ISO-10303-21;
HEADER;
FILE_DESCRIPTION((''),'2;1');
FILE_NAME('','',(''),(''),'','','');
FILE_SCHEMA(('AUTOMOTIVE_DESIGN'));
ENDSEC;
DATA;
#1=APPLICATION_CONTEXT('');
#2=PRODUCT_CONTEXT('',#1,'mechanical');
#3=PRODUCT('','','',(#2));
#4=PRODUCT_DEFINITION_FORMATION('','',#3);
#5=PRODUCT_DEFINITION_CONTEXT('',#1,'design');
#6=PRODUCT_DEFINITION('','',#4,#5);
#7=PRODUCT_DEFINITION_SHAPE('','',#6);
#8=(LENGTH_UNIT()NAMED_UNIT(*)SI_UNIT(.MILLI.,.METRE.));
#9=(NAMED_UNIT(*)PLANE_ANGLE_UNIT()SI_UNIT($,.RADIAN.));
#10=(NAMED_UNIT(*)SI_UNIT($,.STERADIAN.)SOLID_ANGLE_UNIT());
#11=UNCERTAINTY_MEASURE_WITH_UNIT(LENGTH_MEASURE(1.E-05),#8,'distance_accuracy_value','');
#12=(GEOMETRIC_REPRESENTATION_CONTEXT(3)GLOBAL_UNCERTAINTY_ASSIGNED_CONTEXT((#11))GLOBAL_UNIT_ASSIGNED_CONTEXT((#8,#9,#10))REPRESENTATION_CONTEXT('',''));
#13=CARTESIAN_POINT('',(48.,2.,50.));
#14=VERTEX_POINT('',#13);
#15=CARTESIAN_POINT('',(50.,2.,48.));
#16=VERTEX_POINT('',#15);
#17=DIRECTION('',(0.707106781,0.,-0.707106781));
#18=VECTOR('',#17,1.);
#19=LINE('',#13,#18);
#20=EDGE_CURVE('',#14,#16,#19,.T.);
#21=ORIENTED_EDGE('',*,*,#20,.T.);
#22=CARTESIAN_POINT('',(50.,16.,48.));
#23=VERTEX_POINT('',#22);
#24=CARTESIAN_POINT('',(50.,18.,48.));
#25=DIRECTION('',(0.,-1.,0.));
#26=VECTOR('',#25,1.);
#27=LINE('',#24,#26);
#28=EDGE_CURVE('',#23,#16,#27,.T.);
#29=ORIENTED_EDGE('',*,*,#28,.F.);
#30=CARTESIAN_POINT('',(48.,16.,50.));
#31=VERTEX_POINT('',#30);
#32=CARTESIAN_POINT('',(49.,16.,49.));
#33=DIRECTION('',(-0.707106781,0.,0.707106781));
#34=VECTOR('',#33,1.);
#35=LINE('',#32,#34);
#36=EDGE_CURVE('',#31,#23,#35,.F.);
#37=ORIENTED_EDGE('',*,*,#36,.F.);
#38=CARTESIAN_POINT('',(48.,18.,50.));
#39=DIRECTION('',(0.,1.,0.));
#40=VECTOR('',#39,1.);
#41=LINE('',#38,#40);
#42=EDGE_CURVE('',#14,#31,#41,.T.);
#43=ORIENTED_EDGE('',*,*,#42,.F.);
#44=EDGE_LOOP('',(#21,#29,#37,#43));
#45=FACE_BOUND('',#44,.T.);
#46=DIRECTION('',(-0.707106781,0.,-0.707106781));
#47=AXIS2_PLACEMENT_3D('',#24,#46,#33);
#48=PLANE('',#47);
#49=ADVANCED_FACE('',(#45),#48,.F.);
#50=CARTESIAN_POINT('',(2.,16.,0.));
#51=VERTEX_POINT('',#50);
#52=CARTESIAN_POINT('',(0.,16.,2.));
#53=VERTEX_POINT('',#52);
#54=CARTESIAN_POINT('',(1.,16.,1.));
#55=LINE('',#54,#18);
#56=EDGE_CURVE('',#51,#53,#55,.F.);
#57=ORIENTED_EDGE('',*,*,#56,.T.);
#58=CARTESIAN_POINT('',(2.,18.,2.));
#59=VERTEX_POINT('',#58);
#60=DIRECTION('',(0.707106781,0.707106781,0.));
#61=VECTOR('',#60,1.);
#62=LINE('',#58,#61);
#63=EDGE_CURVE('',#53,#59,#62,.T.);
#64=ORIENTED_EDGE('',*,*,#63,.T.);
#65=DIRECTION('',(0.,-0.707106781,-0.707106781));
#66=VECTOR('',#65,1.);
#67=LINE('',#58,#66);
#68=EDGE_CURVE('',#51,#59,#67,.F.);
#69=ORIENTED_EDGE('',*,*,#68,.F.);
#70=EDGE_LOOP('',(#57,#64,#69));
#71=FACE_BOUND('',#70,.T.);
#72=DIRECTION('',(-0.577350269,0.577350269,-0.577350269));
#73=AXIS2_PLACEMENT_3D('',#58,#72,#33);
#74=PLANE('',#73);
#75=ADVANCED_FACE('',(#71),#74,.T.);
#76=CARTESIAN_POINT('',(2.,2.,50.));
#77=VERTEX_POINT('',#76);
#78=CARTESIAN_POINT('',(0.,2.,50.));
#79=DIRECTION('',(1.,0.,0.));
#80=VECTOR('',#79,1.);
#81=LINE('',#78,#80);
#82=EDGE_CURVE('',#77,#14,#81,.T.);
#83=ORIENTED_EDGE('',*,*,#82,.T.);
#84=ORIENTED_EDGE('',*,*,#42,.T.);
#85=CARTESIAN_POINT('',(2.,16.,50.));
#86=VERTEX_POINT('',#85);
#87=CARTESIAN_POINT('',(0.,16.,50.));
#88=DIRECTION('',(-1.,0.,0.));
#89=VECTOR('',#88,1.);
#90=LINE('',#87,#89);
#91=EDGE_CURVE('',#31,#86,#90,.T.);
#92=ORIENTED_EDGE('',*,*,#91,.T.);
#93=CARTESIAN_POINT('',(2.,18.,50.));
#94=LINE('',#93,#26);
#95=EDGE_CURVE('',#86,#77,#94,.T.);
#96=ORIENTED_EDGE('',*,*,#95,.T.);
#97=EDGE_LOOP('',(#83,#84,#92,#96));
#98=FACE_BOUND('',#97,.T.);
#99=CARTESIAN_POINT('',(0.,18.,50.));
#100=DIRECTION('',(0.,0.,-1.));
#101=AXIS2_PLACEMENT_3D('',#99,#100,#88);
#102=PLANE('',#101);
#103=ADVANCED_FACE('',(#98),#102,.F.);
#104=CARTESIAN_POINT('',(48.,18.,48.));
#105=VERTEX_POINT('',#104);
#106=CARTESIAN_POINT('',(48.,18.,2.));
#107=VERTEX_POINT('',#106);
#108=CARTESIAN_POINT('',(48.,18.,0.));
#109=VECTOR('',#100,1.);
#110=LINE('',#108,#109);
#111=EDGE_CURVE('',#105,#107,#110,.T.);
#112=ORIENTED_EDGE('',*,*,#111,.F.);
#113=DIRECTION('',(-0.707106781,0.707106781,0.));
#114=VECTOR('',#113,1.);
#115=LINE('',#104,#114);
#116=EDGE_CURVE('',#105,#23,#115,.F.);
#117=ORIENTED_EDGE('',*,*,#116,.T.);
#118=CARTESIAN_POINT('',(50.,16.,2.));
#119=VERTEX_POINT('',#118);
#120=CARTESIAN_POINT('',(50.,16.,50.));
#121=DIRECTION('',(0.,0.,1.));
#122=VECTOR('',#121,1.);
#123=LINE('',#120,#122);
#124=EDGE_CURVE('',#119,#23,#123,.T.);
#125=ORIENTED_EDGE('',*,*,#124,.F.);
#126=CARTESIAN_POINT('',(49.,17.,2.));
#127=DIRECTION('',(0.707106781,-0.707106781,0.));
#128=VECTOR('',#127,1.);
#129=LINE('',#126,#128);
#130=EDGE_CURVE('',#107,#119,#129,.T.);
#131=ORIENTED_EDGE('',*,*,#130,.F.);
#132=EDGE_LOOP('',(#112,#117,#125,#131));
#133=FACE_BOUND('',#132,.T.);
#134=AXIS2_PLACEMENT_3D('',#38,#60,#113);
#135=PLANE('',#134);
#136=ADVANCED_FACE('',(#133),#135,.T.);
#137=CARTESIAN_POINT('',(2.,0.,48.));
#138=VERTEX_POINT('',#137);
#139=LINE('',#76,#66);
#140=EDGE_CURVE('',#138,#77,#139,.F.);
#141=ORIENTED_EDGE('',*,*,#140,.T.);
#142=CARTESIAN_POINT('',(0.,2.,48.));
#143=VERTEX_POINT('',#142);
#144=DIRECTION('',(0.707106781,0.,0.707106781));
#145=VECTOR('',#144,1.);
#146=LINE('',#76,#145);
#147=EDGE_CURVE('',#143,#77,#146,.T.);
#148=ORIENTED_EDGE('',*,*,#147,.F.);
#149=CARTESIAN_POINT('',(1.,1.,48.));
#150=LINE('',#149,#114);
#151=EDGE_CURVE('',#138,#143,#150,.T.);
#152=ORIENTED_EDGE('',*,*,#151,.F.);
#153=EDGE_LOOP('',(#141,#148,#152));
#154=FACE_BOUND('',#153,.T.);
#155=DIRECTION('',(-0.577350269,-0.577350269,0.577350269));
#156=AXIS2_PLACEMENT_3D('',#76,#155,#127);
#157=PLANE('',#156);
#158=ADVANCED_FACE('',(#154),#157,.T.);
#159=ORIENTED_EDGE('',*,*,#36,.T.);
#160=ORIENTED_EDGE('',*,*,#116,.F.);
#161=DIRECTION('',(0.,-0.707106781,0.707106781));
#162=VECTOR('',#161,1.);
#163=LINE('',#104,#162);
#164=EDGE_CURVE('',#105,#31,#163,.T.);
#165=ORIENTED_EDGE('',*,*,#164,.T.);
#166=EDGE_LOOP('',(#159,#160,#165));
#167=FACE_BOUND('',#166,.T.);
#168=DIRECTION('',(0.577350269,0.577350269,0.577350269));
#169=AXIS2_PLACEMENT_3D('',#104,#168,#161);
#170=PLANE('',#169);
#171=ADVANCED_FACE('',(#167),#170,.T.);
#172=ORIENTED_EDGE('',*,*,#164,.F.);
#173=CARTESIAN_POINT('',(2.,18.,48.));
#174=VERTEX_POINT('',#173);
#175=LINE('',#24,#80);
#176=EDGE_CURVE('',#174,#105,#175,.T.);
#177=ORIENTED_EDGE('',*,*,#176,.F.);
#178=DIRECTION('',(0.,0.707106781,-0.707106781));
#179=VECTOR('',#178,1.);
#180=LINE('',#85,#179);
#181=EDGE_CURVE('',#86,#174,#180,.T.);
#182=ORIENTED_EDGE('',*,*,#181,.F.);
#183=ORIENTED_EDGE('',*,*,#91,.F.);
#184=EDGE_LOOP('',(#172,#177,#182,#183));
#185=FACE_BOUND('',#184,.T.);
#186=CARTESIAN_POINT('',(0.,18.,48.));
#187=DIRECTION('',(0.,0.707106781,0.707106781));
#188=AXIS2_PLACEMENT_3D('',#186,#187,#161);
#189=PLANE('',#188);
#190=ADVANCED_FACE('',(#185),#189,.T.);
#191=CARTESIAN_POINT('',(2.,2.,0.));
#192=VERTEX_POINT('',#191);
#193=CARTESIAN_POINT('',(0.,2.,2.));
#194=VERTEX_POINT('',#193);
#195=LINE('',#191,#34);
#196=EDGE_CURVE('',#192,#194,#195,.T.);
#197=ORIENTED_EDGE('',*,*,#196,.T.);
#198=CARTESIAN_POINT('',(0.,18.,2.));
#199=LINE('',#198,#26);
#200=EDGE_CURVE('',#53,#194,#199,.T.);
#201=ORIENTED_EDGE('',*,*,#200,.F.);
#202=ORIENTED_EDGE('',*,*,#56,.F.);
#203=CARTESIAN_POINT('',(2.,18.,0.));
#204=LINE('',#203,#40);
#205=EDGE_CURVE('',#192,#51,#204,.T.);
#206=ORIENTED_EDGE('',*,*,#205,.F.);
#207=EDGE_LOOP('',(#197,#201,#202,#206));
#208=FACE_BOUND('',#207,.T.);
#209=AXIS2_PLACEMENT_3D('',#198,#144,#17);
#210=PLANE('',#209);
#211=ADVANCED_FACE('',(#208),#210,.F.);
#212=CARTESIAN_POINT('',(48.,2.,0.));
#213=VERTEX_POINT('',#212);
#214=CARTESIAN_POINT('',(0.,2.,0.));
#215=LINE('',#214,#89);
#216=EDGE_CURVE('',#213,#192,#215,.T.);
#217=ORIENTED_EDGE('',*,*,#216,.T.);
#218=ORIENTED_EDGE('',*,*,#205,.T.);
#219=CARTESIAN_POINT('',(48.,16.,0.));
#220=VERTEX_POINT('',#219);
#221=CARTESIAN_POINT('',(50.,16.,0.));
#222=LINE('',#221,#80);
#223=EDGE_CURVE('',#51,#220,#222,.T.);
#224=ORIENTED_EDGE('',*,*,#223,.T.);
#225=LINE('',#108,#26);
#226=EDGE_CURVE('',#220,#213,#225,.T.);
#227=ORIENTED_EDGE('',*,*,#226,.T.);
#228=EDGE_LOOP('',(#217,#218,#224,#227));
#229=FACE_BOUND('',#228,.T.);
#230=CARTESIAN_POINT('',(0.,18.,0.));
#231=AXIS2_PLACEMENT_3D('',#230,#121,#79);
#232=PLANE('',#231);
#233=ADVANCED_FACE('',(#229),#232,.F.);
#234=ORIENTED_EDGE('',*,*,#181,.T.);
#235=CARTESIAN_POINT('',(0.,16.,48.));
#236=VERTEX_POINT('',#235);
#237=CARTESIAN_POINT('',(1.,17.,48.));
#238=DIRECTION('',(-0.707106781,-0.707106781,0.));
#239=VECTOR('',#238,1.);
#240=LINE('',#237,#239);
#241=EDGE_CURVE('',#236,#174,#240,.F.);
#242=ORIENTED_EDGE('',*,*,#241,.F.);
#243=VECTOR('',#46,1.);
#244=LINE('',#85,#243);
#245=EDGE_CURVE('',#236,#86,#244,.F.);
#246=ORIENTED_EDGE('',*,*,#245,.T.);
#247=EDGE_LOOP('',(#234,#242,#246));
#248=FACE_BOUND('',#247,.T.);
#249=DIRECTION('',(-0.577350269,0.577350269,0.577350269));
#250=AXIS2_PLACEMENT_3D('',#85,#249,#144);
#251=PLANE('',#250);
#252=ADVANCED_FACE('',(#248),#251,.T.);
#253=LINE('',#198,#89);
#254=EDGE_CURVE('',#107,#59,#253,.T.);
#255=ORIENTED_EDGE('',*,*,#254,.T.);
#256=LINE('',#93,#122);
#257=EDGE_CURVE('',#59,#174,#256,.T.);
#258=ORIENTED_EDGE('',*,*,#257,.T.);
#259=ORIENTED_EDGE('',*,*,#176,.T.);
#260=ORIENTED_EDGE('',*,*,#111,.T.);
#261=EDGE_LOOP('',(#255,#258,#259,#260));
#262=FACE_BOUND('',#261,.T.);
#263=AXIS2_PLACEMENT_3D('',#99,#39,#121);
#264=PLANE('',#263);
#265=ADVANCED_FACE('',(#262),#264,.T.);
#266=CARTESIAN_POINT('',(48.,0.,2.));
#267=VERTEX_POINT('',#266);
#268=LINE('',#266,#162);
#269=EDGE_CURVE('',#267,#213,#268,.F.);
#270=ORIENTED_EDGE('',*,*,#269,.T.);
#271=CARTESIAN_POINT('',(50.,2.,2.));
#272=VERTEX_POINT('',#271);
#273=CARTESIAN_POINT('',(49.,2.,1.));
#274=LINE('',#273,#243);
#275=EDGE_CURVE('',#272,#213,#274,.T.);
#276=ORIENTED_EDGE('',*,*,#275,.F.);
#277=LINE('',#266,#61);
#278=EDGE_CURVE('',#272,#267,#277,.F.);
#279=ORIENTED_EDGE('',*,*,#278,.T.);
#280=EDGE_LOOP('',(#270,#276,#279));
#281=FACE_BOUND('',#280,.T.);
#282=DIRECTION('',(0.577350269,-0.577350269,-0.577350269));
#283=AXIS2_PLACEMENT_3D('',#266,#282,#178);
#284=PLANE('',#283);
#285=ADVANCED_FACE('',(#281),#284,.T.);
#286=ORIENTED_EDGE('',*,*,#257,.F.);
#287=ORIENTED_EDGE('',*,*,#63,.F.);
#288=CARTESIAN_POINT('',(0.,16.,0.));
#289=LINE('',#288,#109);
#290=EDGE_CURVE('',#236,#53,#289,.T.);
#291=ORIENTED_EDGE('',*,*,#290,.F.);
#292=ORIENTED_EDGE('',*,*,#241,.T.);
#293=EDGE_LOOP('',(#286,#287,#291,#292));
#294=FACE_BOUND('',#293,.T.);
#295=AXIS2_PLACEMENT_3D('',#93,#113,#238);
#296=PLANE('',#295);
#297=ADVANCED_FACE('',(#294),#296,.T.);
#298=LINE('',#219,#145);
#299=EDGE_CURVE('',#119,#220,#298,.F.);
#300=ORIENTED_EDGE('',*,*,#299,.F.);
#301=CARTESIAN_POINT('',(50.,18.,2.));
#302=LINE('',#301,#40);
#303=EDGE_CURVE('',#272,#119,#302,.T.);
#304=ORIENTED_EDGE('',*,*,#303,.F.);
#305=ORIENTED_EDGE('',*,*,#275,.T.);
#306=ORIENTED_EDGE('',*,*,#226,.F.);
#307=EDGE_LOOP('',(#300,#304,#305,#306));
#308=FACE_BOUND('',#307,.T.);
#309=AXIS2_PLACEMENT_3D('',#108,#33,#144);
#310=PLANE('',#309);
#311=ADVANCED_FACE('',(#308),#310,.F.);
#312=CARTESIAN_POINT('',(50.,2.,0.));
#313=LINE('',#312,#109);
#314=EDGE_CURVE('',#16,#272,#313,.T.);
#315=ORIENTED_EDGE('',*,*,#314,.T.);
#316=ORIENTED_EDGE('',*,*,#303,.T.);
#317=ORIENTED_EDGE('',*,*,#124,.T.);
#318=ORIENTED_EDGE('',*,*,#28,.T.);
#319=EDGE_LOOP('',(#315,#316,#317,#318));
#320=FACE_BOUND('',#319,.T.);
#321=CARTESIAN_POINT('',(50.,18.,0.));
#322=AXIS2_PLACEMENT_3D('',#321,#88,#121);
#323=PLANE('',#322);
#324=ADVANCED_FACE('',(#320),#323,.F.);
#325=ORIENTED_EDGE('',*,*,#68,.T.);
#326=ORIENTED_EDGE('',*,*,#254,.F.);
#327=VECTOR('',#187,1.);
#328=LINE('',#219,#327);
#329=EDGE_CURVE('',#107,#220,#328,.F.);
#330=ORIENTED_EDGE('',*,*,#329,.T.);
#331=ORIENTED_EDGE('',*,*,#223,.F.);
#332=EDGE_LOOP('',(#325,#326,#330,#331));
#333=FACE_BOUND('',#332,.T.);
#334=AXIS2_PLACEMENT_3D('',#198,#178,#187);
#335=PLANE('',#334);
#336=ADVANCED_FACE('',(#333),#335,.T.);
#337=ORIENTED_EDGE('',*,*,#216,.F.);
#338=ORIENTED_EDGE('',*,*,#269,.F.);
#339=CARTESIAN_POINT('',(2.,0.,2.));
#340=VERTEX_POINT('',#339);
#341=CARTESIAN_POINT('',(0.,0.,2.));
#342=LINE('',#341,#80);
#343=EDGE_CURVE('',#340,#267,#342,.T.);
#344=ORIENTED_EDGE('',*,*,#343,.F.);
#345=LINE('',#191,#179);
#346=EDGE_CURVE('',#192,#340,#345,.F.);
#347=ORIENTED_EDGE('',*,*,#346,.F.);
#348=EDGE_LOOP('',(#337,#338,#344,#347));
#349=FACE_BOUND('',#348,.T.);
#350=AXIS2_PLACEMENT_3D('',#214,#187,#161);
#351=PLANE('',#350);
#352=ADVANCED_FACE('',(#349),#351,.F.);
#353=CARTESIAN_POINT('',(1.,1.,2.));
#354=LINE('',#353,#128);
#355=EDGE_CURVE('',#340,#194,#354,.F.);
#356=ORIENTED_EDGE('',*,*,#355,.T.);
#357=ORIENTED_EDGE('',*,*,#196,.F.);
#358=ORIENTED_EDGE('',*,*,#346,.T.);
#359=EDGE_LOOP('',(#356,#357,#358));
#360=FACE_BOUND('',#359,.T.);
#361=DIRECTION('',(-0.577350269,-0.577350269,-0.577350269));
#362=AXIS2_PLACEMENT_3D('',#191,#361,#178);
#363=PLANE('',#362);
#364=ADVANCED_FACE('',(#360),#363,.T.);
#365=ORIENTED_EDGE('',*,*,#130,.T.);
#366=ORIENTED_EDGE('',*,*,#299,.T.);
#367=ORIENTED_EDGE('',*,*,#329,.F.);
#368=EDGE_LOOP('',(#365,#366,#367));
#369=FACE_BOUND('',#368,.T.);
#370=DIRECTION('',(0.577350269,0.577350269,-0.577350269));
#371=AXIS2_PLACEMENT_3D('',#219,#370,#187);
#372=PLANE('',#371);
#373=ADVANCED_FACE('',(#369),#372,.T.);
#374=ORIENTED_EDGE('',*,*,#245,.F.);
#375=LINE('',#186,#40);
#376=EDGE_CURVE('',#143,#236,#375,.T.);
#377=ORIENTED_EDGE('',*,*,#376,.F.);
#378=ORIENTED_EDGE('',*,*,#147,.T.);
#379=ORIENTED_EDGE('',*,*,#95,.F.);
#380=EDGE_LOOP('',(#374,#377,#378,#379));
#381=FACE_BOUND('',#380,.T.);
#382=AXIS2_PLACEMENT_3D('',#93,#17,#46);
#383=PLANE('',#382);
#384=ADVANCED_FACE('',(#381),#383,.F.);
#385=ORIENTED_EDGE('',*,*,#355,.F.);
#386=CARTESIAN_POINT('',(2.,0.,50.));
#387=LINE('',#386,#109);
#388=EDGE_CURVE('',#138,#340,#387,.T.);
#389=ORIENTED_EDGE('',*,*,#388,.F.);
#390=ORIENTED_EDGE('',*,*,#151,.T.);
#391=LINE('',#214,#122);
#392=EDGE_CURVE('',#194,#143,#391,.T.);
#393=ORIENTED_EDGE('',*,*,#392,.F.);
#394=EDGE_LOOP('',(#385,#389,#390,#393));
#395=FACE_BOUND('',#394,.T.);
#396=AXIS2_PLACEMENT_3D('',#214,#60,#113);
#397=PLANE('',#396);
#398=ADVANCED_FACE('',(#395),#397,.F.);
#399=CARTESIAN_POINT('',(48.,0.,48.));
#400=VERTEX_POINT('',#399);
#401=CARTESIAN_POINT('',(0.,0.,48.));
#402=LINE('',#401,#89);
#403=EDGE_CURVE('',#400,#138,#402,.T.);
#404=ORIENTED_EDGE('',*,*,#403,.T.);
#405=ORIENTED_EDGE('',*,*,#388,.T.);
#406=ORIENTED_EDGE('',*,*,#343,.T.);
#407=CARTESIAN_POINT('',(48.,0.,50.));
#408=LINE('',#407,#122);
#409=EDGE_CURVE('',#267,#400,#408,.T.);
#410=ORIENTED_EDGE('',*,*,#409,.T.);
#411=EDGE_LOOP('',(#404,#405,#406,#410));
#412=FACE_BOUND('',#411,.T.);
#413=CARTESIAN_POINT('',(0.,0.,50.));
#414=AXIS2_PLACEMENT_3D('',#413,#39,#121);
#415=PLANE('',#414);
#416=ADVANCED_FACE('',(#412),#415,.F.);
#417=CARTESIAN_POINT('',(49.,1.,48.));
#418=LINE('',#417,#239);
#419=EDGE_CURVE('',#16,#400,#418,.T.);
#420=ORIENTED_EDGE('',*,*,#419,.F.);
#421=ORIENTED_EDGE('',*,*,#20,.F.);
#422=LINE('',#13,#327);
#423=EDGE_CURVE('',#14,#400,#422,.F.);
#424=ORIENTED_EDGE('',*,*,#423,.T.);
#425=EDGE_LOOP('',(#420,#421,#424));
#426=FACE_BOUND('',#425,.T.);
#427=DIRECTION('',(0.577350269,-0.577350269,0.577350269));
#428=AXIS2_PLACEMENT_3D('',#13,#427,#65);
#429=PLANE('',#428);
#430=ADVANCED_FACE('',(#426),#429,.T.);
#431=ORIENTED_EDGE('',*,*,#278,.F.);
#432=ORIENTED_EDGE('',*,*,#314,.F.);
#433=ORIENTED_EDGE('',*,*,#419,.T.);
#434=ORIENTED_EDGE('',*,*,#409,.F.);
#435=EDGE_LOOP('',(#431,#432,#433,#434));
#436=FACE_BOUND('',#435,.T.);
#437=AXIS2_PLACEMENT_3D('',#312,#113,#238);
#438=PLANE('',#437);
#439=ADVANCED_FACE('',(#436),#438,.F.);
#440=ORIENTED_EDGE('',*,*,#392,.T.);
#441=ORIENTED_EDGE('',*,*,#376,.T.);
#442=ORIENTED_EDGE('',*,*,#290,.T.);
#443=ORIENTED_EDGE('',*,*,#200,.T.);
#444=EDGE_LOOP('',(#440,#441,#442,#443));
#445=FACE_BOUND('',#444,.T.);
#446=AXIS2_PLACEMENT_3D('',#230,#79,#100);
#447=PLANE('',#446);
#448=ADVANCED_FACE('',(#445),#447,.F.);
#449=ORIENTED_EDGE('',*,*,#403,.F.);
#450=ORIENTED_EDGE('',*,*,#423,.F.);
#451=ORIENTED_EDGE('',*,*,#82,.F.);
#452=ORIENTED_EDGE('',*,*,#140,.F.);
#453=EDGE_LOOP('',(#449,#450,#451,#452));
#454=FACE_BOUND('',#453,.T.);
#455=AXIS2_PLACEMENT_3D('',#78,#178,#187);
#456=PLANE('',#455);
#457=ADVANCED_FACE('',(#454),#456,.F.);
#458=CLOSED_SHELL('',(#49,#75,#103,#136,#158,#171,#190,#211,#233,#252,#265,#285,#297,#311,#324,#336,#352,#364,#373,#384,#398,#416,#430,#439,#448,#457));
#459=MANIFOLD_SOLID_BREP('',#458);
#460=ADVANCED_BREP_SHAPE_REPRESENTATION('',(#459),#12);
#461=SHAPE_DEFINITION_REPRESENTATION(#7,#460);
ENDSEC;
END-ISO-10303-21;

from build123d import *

# Parameters (mm, degrees)
SKETCH1_W           = 50
SKETCH1_H           = 50
BOSS_EXTRUDE1_DEPTH = 18
CHAMFER1_SIZE       = 2


with BuildPart() as part:
    # Sketch1 → Boss-Extrude1 (new body)
    with BuildSketch(Plane(origin=(0, 0, 0), x_dir=(1, 0, 0), z_dir=(0, 1, 0))):
        with Locations((25, -25)):
            Rectangle(SKETCH1_W, SKETCH1_H)
    extrude(amount=BOSS_EXTRUDE1_DEPTH)

    # Chamfer1
    chamfer1_edges = [part.edges().sort_by_distance(p)[0] for p in [
        (50, 18, 25),
        (25, 18, 0),
        (0, 18, 25),
        (25, 0, 0),
        (50, 0, 25),
        (25, 0, 50),
        (0, 0, 25),
        (25, 18, 50),
        (0, 9, 0),
        (50, 9, 0),
        (50, 9, 50),
        (0, 9, 50),
    ]]
    chamfer(chamfer1_edges, length=CHAMFER1_SIZE)


solid = part.part
